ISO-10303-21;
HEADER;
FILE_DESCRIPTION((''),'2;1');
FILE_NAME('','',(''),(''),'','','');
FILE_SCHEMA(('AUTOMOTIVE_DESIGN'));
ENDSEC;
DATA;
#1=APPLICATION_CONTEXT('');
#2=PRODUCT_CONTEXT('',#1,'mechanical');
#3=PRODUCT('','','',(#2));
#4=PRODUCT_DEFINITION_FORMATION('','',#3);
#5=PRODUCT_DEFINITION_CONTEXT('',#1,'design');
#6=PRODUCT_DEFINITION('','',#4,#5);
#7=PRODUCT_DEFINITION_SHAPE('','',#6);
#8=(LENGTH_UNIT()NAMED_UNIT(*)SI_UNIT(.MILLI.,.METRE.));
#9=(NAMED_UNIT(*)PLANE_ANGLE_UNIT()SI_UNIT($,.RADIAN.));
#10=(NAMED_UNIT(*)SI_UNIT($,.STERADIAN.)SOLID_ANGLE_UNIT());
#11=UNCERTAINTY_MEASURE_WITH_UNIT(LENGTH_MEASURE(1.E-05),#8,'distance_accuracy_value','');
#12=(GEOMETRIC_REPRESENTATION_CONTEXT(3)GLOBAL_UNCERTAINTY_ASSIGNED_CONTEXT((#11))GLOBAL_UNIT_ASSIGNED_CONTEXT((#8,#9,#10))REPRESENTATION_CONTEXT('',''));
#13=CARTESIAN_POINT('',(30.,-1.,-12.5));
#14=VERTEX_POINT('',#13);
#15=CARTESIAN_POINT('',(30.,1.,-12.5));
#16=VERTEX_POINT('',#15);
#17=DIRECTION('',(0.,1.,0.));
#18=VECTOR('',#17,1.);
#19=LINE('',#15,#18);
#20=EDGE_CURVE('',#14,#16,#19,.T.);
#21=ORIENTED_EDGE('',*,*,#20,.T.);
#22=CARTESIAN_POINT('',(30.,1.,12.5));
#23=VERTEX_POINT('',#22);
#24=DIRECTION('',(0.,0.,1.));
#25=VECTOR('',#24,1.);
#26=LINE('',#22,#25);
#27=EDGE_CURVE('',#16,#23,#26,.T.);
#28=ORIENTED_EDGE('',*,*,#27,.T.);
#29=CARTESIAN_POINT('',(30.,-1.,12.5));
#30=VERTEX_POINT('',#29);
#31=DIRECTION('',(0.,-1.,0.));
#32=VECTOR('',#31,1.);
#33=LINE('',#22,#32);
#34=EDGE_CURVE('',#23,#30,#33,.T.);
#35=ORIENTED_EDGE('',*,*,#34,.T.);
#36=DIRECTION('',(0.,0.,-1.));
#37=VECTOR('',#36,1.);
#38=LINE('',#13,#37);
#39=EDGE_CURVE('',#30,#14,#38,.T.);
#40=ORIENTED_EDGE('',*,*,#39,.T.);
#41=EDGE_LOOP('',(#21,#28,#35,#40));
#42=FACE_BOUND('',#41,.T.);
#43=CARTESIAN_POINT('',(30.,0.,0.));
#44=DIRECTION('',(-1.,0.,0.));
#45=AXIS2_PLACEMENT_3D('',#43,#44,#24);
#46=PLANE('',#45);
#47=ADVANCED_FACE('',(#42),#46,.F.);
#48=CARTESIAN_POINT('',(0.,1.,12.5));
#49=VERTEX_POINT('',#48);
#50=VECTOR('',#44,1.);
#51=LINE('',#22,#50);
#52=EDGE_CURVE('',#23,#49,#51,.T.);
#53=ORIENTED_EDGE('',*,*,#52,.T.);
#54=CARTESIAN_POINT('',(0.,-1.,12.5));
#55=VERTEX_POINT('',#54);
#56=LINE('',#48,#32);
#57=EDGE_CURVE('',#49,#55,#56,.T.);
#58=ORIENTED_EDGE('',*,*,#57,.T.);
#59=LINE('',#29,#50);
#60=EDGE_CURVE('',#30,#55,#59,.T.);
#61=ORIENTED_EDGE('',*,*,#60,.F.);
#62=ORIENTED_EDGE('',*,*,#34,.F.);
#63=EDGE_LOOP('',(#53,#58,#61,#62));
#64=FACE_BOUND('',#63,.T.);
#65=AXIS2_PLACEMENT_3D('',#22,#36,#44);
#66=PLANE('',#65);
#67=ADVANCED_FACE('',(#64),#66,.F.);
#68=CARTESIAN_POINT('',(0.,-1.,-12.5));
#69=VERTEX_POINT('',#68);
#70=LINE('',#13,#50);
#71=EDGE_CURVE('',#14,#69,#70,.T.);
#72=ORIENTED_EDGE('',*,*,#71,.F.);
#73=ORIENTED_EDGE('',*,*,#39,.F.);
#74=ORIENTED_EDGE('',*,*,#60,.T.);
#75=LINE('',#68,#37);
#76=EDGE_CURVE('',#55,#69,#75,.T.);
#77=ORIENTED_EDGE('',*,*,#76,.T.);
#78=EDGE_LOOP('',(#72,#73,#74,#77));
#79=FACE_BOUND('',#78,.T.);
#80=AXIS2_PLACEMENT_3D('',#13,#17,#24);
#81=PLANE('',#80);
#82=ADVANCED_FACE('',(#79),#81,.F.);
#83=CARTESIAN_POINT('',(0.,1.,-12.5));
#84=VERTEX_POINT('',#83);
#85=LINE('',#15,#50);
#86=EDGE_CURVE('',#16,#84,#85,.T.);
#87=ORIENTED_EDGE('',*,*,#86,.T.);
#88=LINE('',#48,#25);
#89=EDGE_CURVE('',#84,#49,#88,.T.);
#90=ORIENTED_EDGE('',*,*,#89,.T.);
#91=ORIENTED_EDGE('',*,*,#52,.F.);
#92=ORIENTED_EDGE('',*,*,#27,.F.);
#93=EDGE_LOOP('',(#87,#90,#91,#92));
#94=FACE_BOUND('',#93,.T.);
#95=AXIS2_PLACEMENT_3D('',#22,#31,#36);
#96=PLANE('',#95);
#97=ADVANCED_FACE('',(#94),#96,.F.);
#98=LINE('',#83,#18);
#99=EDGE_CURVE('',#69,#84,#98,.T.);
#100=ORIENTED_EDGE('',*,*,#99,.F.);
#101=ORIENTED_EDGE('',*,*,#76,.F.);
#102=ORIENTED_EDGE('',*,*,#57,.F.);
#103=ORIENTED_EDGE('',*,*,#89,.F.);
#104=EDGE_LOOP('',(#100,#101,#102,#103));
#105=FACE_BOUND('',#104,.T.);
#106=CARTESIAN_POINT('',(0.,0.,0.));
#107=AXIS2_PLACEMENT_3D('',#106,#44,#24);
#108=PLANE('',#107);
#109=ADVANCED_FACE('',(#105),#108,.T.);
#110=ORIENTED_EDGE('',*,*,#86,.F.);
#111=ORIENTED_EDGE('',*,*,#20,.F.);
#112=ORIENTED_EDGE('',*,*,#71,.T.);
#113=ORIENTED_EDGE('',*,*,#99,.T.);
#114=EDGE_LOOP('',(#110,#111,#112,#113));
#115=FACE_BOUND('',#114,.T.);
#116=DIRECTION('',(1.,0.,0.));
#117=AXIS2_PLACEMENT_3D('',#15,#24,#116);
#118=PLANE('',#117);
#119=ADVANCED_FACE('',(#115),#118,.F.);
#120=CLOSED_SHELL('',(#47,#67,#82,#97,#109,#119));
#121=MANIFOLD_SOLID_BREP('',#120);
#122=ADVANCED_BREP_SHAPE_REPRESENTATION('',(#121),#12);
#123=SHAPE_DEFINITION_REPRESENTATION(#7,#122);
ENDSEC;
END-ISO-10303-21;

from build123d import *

# Parameters (mm, degrees)
SKETCH_1_W      = 25
SKETCH_1_H      = 2
EXTRUDE_1_DEPTH = 30


with BuildPart() as part:
    # 草图1 → 凸台-拉伸1 (new body)
    with BuildSketch(Plane(origin=(0, 0, 0), x_dir=(0, 0, -1), z_dir=(1, 0, 0))):
        Rectangle(SKETCH_1_W, SKETCH_1_H)
    extrude(amount=EXTRUDE_1_DEPTH)


solid = part.part
